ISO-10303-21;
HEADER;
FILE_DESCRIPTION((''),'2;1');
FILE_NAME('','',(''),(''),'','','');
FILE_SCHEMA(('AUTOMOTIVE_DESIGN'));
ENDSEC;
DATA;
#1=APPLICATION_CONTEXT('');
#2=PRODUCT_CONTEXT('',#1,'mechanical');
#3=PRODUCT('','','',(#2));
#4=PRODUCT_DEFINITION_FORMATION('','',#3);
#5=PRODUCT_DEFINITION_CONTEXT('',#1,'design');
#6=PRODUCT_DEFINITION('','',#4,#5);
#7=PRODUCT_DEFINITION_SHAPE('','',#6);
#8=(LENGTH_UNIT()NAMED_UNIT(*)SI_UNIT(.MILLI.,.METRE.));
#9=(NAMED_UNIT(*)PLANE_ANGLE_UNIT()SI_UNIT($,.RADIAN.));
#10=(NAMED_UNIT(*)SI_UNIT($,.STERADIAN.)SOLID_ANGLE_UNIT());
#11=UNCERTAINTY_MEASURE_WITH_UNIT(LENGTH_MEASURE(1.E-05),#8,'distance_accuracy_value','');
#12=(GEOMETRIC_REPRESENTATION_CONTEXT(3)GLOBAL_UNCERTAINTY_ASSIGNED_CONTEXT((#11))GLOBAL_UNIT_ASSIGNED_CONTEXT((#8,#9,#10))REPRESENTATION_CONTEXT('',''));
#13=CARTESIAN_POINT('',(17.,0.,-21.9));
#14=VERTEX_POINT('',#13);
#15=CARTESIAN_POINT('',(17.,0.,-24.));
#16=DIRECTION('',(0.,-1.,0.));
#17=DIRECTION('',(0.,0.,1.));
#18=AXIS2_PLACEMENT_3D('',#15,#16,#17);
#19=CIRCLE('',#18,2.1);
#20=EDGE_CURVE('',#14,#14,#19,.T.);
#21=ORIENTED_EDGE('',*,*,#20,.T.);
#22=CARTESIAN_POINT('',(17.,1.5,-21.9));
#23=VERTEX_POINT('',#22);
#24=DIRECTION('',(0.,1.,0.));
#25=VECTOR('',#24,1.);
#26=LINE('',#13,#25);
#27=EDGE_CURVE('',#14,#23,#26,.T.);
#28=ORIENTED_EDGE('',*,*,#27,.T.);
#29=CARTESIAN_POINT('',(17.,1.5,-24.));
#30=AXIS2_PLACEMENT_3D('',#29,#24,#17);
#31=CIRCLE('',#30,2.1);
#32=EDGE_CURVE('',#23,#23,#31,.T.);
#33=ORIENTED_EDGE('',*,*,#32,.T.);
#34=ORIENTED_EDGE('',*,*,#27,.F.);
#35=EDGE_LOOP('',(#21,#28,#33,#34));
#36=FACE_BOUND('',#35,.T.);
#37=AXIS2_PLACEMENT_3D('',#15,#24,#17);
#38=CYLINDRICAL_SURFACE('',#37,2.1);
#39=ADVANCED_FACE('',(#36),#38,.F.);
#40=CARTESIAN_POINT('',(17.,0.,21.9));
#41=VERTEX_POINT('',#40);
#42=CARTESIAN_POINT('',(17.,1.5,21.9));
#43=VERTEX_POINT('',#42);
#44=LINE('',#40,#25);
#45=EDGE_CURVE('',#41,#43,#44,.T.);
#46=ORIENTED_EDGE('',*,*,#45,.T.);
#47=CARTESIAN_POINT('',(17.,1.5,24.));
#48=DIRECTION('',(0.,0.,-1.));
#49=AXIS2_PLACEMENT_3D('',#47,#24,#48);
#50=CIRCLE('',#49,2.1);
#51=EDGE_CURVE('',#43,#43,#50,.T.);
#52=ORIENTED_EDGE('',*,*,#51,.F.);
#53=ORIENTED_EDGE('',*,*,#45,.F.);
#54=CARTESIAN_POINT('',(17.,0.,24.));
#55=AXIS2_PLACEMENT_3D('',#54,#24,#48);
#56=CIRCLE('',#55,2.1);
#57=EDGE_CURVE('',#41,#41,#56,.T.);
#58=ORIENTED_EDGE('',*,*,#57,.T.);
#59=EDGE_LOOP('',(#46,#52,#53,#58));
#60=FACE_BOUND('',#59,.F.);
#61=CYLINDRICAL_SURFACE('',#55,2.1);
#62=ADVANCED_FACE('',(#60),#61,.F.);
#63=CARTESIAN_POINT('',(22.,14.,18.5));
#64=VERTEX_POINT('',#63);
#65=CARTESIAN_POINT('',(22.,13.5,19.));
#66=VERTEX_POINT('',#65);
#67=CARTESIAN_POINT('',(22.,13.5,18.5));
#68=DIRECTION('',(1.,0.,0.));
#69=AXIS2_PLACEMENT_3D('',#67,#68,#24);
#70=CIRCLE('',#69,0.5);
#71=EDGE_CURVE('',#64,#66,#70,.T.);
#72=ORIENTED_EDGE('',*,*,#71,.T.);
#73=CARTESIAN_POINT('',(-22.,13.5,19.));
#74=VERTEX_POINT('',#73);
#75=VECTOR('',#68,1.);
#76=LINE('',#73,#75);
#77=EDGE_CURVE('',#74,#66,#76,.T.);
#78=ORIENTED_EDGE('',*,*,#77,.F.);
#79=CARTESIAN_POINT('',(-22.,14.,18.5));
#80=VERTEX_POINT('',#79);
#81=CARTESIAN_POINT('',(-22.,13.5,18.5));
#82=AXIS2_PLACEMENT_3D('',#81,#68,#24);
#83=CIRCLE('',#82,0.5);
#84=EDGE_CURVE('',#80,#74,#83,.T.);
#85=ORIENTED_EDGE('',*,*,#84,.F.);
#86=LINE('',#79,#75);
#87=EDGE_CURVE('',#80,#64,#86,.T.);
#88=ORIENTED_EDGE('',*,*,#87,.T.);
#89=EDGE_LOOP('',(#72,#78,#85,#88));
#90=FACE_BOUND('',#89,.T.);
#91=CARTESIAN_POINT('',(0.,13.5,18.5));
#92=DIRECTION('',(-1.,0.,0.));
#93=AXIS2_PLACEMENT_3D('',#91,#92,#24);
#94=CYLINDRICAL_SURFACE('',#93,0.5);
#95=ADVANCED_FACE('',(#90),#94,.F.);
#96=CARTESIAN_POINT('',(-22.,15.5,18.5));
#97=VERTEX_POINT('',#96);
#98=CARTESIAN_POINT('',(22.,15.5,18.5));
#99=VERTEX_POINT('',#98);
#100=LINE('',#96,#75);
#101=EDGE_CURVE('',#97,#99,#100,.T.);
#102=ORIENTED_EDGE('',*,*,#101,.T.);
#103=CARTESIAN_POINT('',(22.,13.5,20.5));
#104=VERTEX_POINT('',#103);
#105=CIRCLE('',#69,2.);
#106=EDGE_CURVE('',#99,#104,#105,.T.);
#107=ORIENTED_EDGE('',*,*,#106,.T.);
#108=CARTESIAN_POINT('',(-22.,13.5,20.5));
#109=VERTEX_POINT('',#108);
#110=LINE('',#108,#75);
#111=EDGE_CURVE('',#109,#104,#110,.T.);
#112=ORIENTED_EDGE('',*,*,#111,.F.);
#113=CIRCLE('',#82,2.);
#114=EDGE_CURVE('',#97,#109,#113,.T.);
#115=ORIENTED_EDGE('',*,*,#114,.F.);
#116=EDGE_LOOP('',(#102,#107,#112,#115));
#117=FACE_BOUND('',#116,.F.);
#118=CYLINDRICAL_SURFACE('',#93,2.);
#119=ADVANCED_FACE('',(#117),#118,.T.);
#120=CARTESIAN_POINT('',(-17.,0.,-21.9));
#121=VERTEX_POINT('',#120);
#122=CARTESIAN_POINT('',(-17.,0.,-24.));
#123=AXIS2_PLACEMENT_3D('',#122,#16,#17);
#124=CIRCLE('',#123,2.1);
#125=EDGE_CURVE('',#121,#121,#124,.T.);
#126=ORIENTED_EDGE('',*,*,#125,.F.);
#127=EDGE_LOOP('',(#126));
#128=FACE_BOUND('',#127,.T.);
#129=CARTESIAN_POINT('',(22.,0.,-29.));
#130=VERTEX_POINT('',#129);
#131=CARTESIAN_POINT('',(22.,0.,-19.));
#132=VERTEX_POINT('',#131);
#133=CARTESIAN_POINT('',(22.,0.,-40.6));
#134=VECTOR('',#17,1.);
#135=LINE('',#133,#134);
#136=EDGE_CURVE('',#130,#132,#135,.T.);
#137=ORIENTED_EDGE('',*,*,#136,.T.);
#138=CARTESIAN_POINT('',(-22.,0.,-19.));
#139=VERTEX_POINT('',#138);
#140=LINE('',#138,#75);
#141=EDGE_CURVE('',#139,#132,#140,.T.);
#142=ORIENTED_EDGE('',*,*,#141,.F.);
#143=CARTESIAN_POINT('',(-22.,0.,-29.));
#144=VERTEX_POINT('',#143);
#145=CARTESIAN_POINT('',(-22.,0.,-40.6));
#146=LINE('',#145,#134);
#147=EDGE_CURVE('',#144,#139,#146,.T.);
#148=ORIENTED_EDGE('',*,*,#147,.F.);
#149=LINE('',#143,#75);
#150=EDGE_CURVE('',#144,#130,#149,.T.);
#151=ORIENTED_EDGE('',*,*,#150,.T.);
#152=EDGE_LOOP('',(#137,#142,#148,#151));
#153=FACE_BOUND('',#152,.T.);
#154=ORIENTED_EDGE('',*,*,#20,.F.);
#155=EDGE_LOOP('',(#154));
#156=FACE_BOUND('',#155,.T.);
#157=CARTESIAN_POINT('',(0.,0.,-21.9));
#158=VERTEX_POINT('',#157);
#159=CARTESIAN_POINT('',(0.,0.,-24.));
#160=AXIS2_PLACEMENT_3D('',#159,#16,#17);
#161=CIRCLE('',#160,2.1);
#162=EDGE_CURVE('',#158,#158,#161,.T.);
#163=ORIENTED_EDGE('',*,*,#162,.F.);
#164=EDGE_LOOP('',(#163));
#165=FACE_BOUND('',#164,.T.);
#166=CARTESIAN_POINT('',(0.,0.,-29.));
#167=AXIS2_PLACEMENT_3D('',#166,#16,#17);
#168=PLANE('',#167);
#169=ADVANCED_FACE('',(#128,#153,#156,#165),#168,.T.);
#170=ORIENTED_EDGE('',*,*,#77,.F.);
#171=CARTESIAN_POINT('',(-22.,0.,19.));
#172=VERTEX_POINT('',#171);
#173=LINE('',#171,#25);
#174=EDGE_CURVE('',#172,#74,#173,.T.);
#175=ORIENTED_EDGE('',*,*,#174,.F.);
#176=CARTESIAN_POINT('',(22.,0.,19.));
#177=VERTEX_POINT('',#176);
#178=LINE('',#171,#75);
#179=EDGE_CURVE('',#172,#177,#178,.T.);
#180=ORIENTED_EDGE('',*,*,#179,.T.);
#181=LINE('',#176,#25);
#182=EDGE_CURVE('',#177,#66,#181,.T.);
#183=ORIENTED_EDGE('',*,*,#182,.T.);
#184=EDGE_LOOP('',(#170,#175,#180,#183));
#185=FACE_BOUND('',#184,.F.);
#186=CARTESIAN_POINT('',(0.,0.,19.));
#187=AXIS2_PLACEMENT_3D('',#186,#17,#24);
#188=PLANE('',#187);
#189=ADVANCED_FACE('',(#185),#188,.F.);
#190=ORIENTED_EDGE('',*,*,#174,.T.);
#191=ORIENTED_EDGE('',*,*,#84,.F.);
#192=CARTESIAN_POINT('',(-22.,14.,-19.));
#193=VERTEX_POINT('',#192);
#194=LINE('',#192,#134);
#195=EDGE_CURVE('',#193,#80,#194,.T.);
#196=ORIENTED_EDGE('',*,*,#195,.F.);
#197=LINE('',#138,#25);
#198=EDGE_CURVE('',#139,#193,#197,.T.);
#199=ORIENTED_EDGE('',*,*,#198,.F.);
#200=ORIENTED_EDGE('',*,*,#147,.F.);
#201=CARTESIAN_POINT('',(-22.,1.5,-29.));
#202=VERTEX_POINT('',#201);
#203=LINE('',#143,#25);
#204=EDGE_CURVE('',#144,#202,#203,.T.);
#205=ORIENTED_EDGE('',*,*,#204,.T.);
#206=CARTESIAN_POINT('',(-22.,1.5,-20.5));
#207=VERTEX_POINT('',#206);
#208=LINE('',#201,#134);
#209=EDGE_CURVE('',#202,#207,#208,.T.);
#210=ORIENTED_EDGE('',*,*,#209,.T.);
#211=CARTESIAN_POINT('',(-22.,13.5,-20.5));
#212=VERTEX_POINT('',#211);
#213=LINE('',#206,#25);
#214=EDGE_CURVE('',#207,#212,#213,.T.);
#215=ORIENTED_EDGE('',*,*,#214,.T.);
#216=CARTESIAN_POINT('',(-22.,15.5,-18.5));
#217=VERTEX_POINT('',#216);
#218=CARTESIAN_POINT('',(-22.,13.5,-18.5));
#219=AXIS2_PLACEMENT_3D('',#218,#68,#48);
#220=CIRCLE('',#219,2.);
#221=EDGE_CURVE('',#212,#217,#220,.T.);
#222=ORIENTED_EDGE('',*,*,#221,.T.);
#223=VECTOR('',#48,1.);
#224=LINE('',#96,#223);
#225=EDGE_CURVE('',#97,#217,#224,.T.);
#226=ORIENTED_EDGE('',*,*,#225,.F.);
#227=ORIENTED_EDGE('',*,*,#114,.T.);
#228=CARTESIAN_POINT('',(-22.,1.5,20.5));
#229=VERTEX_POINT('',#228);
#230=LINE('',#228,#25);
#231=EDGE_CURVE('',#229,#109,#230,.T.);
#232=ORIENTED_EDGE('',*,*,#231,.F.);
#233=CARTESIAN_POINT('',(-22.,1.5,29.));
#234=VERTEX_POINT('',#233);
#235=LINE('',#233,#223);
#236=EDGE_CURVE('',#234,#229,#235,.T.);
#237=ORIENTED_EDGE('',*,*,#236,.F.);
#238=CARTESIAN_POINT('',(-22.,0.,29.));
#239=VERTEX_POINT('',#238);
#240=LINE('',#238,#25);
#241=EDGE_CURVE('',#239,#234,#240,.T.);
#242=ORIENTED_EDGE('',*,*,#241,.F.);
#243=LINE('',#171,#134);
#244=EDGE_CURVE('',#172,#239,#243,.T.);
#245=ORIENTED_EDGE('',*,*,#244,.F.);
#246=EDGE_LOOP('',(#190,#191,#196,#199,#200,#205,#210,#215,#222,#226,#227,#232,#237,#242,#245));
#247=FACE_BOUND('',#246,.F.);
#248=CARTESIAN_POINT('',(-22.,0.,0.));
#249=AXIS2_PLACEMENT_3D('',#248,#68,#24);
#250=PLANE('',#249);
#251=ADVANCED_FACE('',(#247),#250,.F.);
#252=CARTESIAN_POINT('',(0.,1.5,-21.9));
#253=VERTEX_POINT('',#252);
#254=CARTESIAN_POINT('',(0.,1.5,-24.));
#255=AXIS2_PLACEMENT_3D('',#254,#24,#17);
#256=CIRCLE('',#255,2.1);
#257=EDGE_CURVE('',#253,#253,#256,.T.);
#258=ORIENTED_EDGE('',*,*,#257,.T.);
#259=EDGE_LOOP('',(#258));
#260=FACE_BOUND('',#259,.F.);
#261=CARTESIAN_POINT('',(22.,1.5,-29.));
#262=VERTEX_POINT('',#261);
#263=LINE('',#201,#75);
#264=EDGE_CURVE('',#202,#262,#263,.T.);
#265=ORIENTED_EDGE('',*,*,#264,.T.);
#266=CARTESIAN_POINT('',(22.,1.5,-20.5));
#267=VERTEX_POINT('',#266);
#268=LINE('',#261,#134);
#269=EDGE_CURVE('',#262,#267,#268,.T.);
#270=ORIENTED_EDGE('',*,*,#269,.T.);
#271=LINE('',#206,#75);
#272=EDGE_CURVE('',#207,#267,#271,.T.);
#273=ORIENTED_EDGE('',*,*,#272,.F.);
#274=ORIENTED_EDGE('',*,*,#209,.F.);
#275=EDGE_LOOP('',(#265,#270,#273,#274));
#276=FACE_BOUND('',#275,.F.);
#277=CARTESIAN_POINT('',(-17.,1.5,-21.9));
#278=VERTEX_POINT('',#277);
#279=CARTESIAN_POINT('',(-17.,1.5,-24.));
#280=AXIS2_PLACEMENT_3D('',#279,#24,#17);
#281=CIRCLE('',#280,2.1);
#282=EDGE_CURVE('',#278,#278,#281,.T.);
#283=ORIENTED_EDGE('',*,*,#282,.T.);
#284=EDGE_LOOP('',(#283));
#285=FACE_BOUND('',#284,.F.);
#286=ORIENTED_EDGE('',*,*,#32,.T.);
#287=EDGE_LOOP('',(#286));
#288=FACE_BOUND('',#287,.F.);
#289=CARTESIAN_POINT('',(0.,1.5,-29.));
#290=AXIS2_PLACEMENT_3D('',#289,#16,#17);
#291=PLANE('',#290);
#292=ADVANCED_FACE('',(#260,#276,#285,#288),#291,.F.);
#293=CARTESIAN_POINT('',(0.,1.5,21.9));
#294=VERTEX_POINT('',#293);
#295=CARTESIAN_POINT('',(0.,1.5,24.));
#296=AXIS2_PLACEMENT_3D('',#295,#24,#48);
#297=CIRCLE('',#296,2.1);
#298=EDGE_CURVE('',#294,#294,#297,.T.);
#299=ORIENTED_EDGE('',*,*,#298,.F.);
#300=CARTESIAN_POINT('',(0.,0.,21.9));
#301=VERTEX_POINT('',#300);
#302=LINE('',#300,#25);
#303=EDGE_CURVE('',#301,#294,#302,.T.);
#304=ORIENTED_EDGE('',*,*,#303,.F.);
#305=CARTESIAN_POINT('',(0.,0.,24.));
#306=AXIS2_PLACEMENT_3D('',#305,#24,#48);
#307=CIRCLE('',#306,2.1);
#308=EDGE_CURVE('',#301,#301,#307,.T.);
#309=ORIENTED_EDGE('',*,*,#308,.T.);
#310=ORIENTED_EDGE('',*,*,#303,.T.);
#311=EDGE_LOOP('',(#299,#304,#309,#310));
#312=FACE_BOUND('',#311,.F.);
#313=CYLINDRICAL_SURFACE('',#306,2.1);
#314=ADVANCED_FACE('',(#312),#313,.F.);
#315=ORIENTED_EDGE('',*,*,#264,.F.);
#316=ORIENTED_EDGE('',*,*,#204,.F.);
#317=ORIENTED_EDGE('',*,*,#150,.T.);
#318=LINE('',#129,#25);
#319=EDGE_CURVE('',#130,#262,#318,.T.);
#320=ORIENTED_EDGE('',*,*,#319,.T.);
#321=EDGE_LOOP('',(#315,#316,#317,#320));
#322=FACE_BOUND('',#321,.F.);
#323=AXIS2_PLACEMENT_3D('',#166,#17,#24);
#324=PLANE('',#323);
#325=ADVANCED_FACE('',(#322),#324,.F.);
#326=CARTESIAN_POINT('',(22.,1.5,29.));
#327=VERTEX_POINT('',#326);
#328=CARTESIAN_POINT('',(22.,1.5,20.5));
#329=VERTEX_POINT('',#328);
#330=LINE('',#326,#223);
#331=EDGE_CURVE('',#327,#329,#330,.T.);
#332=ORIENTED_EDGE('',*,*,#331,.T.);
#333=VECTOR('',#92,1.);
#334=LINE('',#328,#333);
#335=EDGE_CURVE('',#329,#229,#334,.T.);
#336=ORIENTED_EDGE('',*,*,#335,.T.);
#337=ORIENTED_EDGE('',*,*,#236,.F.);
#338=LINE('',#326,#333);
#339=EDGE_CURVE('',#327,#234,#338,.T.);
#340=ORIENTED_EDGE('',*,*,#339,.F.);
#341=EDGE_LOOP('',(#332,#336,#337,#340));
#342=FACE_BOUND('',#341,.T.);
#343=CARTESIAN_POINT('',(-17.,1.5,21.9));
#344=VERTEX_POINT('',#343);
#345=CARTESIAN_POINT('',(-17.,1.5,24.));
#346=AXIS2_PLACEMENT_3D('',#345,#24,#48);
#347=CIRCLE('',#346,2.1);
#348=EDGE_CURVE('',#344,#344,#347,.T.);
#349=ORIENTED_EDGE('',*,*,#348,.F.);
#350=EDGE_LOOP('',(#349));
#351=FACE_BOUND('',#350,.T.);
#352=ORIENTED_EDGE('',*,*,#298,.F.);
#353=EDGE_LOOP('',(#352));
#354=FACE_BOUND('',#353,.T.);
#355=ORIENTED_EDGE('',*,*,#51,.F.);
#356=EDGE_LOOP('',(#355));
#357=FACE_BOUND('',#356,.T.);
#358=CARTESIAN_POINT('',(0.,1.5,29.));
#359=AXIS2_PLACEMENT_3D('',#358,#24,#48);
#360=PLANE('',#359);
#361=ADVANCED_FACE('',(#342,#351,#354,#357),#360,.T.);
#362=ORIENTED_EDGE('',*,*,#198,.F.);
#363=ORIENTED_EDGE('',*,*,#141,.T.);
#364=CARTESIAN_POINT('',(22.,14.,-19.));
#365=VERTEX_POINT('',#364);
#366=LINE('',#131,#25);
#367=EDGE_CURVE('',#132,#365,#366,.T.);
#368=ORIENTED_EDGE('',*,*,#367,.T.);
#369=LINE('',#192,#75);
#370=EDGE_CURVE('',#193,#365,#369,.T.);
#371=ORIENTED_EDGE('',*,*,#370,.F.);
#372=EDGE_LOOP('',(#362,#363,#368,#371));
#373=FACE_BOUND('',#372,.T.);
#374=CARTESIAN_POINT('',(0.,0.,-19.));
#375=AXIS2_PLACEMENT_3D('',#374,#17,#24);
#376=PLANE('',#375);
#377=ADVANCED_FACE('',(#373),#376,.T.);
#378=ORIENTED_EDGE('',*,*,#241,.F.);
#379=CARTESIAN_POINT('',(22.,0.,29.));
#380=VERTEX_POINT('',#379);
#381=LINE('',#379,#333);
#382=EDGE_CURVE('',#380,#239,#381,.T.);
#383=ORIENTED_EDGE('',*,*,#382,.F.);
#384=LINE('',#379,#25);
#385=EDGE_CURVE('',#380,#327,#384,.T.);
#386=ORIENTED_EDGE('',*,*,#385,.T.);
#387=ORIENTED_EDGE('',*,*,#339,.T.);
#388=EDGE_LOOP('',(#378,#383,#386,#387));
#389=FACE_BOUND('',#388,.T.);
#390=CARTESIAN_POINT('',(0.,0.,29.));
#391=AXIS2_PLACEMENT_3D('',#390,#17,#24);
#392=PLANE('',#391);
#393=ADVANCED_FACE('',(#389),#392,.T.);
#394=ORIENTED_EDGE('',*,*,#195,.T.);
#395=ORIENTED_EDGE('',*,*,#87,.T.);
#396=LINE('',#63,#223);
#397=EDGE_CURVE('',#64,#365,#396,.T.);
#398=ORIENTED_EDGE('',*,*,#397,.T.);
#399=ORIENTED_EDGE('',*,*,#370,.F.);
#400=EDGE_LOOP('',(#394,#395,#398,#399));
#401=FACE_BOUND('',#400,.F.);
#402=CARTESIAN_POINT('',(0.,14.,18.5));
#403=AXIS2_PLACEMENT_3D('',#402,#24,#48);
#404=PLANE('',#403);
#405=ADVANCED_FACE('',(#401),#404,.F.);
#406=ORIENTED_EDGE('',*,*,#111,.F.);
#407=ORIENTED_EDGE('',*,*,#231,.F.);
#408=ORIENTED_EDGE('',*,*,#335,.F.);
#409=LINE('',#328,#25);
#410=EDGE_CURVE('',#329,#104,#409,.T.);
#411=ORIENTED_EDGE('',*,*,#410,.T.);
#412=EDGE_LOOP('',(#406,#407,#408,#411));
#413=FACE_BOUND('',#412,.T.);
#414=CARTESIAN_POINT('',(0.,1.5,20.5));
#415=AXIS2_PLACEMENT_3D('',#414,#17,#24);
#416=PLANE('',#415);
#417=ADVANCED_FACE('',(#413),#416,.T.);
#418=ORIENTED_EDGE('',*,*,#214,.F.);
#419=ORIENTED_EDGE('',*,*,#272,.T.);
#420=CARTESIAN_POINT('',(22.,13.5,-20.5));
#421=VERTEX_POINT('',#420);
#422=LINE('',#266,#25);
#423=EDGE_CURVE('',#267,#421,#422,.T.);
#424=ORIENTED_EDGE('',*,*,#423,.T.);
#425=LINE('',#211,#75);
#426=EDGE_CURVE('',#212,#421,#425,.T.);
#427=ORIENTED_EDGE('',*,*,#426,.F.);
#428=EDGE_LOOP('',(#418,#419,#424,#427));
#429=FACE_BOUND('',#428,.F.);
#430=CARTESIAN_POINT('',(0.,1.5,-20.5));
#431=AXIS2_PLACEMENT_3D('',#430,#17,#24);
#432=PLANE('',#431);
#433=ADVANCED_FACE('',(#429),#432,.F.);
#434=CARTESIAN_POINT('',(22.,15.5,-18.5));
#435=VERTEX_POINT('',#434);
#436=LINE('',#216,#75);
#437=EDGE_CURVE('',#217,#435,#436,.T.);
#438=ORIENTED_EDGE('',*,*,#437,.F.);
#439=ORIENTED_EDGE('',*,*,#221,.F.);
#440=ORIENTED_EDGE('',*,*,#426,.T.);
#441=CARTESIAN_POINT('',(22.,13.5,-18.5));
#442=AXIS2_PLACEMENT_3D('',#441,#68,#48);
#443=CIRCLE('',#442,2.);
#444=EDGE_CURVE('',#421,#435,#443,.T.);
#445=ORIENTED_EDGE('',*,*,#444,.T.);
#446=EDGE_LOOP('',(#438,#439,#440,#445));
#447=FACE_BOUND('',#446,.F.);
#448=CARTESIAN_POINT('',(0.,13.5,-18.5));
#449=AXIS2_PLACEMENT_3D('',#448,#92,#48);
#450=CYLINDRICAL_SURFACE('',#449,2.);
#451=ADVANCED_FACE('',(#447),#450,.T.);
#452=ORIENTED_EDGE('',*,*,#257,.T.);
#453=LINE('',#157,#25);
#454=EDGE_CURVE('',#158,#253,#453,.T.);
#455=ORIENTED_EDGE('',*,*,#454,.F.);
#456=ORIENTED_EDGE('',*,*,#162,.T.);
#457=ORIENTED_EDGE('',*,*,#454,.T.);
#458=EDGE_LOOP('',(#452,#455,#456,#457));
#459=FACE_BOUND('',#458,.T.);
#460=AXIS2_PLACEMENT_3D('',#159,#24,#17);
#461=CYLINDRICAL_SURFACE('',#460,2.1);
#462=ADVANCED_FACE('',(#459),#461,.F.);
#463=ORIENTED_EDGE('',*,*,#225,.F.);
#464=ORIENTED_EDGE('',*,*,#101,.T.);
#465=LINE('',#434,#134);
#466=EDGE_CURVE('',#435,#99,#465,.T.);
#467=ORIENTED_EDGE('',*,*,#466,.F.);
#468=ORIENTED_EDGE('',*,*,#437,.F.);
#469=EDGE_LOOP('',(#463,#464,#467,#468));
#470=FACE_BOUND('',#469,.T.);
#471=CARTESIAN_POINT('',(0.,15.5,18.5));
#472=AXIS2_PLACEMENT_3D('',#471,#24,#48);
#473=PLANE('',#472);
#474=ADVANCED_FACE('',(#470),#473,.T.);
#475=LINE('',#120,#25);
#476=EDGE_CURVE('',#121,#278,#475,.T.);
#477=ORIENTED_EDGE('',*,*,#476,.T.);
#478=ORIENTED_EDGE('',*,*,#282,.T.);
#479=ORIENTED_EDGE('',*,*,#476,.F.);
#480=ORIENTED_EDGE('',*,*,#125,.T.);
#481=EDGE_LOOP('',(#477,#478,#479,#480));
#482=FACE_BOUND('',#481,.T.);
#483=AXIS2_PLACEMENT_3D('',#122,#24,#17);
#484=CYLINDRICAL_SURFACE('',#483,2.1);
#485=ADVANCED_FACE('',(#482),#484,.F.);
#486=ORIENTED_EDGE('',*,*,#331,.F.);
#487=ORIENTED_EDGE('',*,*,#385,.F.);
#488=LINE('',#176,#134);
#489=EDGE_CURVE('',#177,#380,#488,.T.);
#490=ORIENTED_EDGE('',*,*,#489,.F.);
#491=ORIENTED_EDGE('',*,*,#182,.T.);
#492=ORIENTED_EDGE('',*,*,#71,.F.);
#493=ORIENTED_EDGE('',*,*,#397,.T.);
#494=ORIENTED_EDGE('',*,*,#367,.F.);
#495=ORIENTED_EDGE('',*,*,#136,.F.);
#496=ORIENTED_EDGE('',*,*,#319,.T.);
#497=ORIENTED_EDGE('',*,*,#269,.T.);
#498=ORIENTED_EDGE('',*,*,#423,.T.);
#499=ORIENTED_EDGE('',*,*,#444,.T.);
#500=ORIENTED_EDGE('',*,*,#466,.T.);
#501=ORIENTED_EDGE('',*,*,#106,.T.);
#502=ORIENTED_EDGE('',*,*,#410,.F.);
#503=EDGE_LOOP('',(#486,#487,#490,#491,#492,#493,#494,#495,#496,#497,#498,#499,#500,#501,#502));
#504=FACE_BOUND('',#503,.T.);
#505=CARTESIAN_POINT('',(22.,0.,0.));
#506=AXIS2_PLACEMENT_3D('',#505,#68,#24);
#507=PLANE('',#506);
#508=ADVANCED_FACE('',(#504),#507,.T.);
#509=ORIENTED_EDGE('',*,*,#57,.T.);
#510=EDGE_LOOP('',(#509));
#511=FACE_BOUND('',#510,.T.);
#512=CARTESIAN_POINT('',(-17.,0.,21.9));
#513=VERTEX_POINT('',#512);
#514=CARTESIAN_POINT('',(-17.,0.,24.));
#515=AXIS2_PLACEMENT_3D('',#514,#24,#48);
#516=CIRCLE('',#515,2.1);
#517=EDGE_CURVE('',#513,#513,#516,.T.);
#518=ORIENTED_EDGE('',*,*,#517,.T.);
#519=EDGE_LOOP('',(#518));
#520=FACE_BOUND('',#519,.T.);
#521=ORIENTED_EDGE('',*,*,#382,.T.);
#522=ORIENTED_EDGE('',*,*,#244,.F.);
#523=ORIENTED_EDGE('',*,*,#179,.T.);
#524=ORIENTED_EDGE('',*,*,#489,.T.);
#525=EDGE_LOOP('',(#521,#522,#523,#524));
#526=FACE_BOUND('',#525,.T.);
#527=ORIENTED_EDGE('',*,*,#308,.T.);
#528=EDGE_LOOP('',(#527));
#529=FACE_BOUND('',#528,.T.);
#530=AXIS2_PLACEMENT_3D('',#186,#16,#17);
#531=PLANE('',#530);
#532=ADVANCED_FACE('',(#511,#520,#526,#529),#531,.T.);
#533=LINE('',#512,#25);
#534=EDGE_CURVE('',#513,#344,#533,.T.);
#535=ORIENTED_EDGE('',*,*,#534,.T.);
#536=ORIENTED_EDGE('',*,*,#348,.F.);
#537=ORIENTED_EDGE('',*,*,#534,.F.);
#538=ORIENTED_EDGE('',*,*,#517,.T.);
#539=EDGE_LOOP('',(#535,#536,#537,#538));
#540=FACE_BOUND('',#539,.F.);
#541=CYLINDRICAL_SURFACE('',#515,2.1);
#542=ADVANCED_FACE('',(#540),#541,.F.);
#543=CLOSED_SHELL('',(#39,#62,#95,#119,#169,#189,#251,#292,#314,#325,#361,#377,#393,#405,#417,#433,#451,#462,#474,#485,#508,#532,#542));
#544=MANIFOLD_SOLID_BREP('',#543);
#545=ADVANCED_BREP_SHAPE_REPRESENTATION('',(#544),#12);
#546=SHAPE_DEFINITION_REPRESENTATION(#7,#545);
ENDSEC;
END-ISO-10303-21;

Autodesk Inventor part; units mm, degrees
ref_plane "YZ Plane" through (0, 0, 0) normal (1, 0, 0) x (0, 1, 0)
sketch "Sketch2" plane through (0, 0, 0) normal (1, 0, 0) x (0, 1, 0)
  line L0 (0, 19) -> (0, 29)
  line L1 (0, 29) -> (1.5, 29)
  line L2 (1.5, 29) -> (1.5, 20.5)
  line L3 (0, 19) -> (13.5, 19)
  line L4 (14, 18.5) -> (14, 0)
  line L5 (1.5, 20.5) -> (13.5, 20.5)
  line L6 (15.5, 18.5) -> (15.5, 0)
  line L7 (-3.1828, 0) -> (19.0971, 0) projected
  line L8 (0, -40.6) -> (0, 40.6) projected
  line L9 (0, -19) -> (0, -29)
  line L10 (0, -29) -> (1.5, -29)
  line L11 (1.5, -29) -> (1.5, -20.5)
  line L12 (0, -19) -> (14, -19)
  line L13 (14, -19) -> (14, 0)
  line L14 (1.5, -20.5) -> (13.5, -20.5)
  line L15 (15.5, -18.5) -> (15.5, 0)
  arc A0 (15.5, 18.5) -> (13.5, 20.5) centre (13.5, 18.5) ccw
  arc A1 (13.5, -20.5) -> (15.5, -18.5) centre (13.5, -18.5) ccw
  arc A2 (14, 18.5) -> (13.5, 19) centre (13.5, 18.5) ccw
  point P0 (0, 0)
  point P1 (14, 19)
  point P2 (15.5, 20.5)
  point P3 (15.5, -20.5)
  point P4 (0, 26.5)
  point P5 (2.5, -19)
  point P6 (0, 19)
  dimension "d0" = 10
  dimension "d1" = 1.5
  dimension "d2" = 8.5
  dimension "d4" = 14
  dimension "d5" = 19
  dimension "d6" = 1.5
  dimension "d7" = 2
  dimension "d22" = 0.5
extrude "Extrusion1" add sketch "Sketch2" along normal mid plane 44 contours L0 L1 L2 L5 A0 L6 L7 L4 A2 L3 | L7 L15 A1 L14 L11 L10 L8 L12 L13
sketch "Sketch3" plane through (-22, 0, 19) normal (0, -1, 0) x (1, 0, 0)
  line L0 (0, 10) -> (44, 10) projected
  line L1 (22, -59.6) -> (22, 21.6) projected
  point P0 (22, -19)
  point P1 (22, 5)
  point P2 (39, 5)
  point P3 (5, 5)
  dimension "d10" = 5
  dimension "d12" = 17
  dimension "d14" = 5
  dimension "d23" = 17
  dimension "d24" = 5
hole "Hole1" at (0, 0, 24) at (17, 0, 24) at (-17, 0, 24) direction (0, 1, 0) diameter 4.2 end through all
mirror "Mirror1" about plane through (0, 0, 0) normal (0, 0, 1) of "Hole1"
properties part number "connector-houseing-top-cover"
